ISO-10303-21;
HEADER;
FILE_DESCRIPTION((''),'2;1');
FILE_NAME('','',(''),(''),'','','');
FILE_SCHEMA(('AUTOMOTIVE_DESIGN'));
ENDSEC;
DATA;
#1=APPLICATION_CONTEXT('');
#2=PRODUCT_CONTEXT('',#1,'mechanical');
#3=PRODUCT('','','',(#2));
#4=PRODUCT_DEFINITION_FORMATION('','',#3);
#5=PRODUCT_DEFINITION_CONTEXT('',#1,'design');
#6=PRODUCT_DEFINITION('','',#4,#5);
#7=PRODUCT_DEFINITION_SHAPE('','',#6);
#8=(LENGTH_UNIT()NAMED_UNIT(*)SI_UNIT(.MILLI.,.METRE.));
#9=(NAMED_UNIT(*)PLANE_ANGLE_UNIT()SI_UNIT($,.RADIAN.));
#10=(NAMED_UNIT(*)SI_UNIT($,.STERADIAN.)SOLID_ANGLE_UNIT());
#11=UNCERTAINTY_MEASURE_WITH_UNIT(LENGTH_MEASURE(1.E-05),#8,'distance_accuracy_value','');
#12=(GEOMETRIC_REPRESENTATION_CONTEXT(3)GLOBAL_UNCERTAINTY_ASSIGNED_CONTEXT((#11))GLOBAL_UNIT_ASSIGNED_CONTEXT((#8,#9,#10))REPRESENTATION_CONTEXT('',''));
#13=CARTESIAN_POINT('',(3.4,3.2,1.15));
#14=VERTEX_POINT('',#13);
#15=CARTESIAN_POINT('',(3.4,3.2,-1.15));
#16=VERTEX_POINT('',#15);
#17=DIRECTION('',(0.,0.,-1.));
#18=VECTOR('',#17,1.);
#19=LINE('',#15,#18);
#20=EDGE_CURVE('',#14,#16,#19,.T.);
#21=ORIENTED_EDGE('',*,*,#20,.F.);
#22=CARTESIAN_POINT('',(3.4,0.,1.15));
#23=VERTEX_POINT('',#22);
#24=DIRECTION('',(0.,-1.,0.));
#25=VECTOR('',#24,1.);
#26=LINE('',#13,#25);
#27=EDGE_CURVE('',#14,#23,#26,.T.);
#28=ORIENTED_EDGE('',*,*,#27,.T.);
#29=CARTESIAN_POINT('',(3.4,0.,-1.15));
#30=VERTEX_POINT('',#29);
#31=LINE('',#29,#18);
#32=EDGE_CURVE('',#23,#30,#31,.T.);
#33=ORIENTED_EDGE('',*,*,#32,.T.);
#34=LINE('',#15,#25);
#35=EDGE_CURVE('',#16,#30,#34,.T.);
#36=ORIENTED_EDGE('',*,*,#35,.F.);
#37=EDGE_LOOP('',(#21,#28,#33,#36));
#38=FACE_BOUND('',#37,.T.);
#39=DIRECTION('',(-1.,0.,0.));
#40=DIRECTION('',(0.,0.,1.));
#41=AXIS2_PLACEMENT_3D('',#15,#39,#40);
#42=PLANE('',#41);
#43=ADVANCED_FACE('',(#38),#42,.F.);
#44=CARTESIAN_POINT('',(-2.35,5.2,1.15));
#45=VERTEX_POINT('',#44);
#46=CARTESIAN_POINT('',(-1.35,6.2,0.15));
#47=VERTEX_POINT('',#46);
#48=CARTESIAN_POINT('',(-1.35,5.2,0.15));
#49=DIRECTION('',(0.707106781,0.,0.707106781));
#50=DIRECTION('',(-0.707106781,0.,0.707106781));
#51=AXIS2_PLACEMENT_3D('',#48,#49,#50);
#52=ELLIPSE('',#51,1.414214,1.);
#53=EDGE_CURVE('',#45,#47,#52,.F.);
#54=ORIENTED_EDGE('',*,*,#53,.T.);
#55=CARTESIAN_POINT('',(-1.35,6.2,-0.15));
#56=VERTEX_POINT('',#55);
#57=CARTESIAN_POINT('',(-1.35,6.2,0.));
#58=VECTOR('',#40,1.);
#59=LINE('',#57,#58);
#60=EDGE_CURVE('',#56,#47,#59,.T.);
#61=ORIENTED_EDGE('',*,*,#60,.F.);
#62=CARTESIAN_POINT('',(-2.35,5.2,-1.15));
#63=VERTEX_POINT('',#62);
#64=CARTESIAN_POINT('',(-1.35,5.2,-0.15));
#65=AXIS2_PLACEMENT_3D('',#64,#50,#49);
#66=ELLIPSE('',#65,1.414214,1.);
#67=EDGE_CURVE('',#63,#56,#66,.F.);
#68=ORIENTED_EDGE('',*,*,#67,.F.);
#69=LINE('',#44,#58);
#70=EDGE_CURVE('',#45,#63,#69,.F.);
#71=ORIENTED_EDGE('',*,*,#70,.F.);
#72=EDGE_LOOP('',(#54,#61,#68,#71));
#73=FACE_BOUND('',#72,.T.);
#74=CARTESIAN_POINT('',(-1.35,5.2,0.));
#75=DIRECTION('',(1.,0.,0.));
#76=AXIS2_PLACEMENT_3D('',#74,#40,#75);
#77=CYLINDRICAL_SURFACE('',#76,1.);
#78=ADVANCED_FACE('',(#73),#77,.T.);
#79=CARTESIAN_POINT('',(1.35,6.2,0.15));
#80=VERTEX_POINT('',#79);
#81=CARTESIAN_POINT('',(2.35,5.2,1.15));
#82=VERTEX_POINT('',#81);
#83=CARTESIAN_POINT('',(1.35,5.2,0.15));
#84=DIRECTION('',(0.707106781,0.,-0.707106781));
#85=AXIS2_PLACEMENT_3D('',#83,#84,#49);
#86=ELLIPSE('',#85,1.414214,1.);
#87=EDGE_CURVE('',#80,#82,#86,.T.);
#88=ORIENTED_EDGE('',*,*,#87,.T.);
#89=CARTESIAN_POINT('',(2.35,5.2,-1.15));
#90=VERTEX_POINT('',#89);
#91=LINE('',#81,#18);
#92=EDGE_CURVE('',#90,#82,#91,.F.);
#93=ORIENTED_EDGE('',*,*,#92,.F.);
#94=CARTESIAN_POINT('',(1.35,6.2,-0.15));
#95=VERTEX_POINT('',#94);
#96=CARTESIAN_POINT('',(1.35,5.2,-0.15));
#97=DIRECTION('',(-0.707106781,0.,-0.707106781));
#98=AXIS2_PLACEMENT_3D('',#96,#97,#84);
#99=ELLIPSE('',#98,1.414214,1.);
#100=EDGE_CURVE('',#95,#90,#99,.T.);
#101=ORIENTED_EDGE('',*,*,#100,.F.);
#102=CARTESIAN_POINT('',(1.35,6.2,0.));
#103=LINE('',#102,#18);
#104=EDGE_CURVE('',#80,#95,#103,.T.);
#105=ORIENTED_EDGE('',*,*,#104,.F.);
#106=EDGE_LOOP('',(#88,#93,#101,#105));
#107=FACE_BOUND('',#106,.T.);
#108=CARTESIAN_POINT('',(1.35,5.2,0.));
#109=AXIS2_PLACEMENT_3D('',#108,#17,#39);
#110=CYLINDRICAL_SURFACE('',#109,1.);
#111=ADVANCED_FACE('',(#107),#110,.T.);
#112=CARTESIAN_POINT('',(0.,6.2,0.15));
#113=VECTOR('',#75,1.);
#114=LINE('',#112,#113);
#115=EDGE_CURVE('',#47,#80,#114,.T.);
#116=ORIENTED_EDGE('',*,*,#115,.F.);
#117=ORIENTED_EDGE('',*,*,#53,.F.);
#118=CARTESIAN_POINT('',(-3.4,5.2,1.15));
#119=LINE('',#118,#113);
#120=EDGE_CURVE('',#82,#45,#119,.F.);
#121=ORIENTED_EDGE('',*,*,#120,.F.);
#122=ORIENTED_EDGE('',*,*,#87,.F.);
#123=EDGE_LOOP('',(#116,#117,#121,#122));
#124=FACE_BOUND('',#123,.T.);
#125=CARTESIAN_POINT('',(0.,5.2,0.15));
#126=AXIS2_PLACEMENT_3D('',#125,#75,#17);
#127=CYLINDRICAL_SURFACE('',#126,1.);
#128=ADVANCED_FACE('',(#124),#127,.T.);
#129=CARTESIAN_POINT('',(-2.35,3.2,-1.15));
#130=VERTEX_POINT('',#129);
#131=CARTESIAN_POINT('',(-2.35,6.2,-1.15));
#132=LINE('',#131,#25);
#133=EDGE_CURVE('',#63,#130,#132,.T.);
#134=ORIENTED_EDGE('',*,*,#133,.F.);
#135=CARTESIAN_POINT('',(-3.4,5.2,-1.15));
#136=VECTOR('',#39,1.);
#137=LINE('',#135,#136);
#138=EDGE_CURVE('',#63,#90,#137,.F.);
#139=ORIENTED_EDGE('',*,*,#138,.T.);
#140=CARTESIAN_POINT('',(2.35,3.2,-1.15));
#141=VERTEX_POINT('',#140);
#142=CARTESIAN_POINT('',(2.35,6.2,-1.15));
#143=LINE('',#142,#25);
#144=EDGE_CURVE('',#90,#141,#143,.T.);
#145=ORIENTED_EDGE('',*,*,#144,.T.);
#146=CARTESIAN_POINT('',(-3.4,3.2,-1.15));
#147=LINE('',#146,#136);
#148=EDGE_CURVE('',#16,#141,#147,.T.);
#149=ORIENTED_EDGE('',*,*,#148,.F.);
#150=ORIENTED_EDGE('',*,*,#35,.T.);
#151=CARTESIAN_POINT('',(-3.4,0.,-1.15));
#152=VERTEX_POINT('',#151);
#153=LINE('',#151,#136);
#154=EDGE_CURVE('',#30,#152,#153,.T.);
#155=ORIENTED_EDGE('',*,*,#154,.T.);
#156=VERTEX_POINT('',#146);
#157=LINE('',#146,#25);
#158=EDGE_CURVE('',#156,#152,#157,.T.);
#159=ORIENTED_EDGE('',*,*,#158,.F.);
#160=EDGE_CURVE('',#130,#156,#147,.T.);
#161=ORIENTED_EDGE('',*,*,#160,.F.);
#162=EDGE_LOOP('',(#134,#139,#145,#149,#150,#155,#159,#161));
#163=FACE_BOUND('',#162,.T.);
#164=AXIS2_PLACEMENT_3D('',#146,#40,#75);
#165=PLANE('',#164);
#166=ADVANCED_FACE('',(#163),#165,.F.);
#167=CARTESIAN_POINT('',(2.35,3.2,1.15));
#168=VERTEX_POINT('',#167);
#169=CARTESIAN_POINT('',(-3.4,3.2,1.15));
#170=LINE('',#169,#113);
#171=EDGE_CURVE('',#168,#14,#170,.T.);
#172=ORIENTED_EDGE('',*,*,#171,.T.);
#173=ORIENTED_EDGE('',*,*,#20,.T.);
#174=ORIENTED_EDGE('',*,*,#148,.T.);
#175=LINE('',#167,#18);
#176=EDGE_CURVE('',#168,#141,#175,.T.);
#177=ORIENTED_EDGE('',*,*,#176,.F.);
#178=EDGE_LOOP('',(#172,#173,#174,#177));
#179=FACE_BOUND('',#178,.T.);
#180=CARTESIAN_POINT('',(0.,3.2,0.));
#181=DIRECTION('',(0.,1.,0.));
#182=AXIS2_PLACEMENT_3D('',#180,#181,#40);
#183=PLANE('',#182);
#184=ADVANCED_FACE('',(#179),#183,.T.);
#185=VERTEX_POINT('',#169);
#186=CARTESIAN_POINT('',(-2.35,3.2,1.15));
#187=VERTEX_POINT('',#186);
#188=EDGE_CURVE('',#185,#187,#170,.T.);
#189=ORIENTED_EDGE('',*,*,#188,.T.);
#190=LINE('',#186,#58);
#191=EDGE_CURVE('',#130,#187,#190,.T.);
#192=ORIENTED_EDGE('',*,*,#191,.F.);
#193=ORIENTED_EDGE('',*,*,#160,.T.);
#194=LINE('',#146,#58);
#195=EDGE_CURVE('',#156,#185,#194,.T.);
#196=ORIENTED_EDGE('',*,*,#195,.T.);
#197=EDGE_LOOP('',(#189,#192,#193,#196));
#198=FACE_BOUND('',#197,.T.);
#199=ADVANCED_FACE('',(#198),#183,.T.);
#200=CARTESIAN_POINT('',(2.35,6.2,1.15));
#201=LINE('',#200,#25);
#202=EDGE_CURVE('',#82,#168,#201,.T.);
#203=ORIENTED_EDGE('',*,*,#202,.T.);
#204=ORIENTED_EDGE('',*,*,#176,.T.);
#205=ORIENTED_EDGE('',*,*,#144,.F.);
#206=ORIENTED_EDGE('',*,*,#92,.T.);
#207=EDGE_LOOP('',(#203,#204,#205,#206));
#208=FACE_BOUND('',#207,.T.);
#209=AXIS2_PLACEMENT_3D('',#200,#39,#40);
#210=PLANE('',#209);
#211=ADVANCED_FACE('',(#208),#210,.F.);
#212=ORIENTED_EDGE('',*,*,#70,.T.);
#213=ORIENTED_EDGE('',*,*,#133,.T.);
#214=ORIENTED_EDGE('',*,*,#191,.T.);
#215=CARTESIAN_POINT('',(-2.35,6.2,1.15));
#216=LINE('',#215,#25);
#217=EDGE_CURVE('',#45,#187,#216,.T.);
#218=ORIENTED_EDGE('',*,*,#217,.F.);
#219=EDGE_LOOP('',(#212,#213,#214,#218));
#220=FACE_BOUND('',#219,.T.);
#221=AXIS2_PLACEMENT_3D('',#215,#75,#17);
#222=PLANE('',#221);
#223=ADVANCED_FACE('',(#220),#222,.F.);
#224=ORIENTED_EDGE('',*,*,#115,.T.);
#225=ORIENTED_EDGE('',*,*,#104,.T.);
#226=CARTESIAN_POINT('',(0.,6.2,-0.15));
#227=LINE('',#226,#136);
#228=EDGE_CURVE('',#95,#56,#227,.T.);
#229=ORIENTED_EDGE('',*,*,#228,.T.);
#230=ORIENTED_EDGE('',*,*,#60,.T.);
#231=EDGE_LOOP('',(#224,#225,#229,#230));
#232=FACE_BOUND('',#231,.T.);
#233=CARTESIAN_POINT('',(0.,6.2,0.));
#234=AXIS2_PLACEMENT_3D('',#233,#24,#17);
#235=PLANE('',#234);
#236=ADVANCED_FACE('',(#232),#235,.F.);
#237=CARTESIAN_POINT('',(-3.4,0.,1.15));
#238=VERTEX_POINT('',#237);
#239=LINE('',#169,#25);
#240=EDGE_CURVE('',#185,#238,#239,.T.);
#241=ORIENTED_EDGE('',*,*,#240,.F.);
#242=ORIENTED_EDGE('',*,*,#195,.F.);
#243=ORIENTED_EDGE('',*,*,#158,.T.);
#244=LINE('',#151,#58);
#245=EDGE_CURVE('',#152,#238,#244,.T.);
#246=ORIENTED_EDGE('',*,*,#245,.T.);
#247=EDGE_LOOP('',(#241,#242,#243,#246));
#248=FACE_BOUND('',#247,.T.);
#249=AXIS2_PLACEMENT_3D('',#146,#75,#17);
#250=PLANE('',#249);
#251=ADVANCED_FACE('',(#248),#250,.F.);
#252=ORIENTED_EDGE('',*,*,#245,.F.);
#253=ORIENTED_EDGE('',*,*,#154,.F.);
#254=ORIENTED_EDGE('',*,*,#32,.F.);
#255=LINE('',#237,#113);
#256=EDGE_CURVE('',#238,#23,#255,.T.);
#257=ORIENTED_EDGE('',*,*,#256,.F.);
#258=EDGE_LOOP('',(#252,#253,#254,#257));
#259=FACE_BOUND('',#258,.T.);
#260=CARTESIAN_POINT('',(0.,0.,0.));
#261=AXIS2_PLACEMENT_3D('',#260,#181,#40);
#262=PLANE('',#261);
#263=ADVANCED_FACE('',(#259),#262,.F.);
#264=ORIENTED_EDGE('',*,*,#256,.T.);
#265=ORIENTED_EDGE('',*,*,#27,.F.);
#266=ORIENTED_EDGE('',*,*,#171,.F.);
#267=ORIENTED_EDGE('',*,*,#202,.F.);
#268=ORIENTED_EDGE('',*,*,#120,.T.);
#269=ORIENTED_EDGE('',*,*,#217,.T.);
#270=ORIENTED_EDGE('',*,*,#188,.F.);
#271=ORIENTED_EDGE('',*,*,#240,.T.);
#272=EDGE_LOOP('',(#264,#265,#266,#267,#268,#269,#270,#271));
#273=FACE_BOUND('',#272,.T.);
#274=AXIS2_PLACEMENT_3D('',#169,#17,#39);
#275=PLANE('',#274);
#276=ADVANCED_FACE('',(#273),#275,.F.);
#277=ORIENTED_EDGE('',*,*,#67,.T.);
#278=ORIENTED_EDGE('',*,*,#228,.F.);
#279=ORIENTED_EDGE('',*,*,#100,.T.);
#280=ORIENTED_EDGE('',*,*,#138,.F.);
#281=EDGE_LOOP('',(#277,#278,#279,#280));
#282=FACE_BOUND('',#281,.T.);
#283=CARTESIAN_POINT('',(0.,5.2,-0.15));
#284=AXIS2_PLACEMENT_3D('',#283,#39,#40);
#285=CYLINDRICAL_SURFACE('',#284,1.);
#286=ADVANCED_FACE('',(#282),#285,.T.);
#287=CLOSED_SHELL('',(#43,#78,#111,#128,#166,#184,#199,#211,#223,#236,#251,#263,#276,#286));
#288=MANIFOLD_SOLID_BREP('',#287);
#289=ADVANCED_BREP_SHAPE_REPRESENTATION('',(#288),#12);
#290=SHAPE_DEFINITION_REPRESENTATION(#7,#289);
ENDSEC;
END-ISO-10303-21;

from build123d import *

# Parameters (mm, degrees)
SKETCH1_W           = 6.8
SKETCH1_H           = 2.3
BOSS_EXTRUDE1_DEPTH = 3.2
SKETCH2_W           = 4.7
SKETCH2_H           = 2.3
BOSS_EXTRUDE2_DEPTH = 3
FILLET1_R           = 1


with BuildPart() as part:
    # Sketch1 → Boss-Extrude1 (new body)
    with BuildSketch(Plane(origin=(0, 0, 0), x_dir=(1, 0, 0), z_dir=(0, 1, 0))):
        Rectangle(SKETCH1_W, SKETCH1_H)
    extrude(amount=BOSS_EXTRUDE1_DEPTH)

    # Sketch2 → Boss-Extrude2 (add)
    with BuildSketch(Plane(origin=(0, 3.2, 0), x_dir=(1, 0, 0), z_dir=(0, 1, 0))):
        Rectangle(SKETCH2_W, SKETCH2_H)
    extrude(amount=BOSS_EXTRUDE2_DEPTH)

    # Fillet1
    fillet1_edges = [part.edges().sort_by_distance(p)[0] for p in [
        (2.35, 6.2, 0),
        (0, 6.2, -1.15),
        (-2.35, 6.2, 0),
        (0, 6.2, 1.15),
    ]]
    fillet(fillet1_edges, radius=FILLET1_R)


solid = part.part
